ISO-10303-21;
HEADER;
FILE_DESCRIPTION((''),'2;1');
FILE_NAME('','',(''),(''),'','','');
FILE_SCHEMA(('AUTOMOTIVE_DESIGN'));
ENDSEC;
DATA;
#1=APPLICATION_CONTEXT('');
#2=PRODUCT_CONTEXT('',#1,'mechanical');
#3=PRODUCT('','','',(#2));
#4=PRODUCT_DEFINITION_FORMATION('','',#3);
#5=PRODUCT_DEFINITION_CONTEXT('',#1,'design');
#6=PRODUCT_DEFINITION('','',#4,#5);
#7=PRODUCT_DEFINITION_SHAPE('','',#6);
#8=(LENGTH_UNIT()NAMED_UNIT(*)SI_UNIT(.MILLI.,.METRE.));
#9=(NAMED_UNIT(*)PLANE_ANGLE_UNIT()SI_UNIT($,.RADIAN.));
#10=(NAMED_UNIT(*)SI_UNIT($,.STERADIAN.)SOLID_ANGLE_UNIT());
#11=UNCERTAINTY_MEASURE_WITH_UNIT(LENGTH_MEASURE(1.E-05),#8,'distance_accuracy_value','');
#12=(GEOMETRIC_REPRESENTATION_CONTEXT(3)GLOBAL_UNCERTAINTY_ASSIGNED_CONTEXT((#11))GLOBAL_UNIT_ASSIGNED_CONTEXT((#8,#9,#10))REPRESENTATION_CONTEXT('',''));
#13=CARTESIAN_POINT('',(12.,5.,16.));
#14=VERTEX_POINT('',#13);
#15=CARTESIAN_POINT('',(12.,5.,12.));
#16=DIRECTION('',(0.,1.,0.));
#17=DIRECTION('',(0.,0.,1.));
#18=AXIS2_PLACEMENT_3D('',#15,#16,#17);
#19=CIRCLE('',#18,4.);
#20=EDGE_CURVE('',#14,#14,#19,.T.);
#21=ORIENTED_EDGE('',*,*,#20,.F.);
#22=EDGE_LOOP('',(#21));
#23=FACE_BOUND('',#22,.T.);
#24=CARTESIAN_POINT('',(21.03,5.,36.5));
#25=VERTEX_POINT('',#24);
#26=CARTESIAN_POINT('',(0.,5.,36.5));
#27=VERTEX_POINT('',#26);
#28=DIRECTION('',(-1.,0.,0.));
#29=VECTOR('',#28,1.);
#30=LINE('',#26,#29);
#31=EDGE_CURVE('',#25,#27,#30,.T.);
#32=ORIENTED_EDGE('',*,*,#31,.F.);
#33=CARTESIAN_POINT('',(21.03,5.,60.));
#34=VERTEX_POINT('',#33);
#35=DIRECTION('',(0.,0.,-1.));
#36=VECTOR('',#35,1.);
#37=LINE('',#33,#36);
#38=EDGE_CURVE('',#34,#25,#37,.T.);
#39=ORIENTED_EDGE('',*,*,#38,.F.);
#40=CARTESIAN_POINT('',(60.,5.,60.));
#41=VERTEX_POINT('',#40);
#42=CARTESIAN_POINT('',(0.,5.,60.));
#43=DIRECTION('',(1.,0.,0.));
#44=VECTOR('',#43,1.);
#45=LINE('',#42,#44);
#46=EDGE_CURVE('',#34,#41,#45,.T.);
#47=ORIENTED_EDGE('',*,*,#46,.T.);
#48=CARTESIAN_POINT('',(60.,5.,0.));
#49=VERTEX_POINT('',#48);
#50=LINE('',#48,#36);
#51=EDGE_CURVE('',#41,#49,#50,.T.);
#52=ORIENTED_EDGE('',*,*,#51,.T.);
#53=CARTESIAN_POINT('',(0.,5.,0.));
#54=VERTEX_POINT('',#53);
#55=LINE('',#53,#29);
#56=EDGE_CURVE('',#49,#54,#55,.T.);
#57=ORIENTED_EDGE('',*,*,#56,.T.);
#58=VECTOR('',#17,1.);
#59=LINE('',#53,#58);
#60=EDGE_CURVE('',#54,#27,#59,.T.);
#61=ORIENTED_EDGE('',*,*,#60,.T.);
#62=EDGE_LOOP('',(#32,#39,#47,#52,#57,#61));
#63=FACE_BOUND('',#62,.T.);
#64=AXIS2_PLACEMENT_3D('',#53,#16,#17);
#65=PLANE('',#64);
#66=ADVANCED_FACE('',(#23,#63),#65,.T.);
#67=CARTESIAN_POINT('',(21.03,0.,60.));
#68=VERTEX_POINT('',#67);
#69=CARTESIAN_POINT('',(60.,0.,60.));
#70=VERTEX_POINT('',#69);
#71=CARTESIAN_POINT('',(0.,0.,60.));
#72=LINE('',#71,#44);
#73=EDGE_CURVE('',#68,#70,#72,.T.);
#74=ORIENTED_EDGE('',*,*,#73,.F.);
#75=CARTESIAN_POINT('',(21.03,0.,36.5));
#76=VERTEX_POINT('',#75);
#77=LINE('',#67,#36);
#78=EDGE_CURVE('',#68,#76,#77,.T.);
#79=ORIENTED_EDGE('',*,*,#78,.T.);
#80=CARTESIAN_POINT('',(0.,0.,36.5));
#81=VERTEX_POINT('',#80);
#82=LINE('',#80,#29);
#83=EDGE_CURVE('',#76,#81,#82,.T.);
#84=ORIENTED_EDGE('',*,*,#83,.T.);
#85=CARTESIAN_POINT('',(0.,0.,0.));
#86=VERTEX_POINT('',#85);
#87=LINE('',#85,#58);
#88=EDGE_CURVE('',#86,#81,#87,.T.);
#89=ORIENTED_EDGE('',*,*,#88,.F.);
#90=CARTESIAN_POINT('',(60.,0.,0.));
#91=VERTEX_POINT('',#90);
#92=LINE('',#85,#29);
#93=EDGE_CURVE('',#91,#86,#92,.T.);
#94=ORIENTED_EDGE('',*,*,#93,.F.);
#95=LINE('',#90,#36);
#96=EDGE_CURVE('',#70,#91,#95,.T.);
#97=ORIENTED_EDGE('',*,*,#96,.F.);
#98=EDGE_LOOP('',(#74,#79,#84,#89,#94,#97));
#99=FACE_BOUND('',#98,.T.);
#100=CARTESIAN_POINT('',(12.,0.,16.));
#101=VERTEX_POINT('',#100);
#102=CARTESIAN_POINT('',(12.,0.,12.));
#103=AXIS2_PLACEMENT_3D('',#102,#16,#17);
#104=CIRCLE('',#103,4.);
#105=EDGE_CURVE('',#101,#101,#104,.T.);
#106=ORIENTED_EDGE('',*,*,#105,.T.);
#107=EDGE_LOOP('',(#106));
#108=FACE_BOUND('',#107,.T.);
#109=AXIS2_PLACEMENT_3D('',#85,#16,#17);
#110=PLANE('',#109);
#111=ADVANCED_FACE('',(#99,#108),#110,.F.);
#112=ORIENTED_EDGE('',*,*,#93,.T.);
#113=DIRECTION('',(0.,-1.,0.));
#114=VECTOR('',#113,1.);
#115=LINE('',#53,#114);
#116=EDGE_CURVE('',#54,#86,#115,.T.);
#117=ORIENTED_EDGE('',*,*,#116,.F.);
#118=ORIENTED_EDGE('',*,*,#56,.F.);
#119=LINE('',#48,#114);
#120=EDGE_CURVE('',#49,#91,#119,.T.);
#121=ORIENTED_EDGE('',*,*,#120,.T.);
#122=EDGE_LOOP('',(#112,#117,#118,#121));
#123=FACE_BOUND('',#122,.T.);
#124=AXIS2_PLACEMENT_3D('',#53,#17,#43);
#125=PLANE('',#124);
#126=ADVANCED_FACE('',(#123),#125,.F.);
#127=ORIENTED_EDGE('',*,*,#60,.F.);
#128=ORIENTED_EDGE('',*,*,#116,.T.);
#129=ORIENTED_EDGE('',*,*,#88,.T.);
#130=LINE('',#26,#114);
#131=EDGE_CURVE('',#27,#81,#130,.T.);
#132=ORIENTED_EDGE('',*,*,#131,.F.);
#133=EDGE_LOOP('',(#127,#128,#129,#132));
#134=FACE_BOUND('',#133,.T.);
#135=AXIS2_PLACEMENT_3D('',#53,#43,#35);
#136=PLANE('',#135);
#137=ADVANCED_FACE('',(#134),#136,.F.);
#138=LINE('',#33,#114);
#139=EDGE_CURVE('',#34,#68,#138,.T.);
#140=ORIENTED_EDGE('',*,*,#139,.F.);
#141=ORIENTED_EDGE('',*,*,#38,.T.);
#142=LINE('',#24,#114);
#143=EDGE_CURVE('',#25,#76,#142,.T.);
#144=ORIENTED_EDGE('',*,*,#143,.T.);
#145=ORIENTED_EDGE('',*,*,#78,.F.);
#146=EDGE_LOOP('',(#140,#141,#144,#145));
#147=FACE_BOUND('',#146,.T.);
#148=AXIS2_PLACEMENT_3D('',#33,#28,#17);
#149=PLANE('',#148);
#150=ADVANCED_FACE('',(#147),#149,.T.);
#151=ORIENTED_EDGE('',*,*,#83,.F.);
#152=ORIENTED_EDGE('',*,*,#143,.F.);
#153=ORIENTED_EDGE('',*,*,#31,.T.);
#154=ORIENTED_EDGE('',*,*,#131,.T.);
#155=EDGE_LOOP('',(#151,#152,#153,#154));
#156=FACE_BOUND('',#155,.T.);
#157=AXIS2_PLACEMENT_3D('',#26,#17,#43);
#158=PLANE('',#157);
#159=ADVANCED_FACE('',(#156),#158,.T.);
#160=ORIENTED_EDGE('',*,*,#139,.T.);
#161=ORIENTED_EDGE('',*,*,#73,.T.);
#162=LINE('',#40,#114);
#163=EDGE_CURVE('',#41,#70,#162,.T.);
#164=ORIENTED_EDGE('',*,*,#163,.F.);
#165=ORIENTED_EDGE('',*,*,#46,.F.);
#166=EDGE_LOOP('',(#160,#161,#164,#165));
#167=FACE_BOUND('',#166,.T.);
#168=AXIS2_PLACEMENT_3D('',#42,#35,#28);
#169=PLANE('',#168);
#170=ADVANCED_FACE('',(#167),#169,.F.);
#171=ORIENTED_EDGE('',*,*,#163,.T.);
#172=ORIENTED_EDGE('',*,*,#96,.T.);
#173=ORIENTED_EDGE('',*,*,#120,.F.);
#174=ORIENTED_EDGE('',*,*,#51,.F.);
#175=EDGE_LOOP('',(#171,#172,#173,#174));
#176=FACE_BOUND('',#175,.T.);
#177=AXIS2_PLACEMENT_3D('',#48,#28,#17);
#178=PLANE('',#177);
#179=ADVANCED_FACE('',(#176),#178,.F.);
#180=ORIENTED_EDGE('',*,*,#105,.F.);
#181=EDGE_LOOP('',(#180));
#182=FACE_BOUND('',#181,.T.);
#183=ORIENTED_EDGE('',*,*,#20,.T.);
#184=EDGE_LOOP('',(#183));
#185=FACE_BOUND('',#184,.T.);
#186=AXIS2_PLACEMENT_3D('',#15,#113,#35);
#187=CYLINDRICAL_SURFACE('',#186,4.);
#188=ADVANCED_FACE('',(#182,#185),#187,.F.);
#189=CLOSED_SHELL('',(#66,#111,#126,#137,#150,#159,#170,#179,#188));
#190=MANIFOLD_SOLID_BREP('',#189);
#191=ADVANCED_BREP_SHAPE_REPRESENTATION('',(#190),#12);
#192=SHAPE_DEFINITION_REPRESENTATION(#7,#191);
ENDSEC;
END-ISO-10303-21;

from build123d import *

# Parameters (mm, degrees)
SKETCH_1_W          = 60
SKETCH_1_H          = 60
SKETCH_1_R          = 4
EXTRUDE_1_DEPTH     = 5
SKETCH_2_W          = 21.03
SKETCH_2_H          = 23.5
CUT_EXTRUDE_1_DEPTH = 86


with BuildPart() as part:
    # 草图1 → 凸台-拉伸1 (new body)
    with BuildSketch(Plane(origin=(0, 0, 0), x_dir=(1, 0, 0), z_dir=(0, 1, 0))):
        with Locations((30, -30)):
            Rectangle(SKETCH_1_W, SKETCH_1_H)
        with Locations(Location((12, -12, 0), (0, 0, 270))):
            Circle(SKETCH_1_R, mode=Mode.SUBTRACT)
    extrude(amount=EXTRUDE_1_DEPTH)

    # 草图2 → 切除-拉伸1 (cut, through all)
    with BuildSketch(Plane(origin=(0, 0, 0), x_dir=(1, 0, 0), z_dir=(0, 1, 0))):
        with Locations((10.515, -48.25)):
            Rectangle(SKETCH_2_W, SKETCH_2_H)
    extrude(amount=CUT_EXTRUDE_1_DEPTH, mode=Mode.SUBTRACT)


solid = part.part
